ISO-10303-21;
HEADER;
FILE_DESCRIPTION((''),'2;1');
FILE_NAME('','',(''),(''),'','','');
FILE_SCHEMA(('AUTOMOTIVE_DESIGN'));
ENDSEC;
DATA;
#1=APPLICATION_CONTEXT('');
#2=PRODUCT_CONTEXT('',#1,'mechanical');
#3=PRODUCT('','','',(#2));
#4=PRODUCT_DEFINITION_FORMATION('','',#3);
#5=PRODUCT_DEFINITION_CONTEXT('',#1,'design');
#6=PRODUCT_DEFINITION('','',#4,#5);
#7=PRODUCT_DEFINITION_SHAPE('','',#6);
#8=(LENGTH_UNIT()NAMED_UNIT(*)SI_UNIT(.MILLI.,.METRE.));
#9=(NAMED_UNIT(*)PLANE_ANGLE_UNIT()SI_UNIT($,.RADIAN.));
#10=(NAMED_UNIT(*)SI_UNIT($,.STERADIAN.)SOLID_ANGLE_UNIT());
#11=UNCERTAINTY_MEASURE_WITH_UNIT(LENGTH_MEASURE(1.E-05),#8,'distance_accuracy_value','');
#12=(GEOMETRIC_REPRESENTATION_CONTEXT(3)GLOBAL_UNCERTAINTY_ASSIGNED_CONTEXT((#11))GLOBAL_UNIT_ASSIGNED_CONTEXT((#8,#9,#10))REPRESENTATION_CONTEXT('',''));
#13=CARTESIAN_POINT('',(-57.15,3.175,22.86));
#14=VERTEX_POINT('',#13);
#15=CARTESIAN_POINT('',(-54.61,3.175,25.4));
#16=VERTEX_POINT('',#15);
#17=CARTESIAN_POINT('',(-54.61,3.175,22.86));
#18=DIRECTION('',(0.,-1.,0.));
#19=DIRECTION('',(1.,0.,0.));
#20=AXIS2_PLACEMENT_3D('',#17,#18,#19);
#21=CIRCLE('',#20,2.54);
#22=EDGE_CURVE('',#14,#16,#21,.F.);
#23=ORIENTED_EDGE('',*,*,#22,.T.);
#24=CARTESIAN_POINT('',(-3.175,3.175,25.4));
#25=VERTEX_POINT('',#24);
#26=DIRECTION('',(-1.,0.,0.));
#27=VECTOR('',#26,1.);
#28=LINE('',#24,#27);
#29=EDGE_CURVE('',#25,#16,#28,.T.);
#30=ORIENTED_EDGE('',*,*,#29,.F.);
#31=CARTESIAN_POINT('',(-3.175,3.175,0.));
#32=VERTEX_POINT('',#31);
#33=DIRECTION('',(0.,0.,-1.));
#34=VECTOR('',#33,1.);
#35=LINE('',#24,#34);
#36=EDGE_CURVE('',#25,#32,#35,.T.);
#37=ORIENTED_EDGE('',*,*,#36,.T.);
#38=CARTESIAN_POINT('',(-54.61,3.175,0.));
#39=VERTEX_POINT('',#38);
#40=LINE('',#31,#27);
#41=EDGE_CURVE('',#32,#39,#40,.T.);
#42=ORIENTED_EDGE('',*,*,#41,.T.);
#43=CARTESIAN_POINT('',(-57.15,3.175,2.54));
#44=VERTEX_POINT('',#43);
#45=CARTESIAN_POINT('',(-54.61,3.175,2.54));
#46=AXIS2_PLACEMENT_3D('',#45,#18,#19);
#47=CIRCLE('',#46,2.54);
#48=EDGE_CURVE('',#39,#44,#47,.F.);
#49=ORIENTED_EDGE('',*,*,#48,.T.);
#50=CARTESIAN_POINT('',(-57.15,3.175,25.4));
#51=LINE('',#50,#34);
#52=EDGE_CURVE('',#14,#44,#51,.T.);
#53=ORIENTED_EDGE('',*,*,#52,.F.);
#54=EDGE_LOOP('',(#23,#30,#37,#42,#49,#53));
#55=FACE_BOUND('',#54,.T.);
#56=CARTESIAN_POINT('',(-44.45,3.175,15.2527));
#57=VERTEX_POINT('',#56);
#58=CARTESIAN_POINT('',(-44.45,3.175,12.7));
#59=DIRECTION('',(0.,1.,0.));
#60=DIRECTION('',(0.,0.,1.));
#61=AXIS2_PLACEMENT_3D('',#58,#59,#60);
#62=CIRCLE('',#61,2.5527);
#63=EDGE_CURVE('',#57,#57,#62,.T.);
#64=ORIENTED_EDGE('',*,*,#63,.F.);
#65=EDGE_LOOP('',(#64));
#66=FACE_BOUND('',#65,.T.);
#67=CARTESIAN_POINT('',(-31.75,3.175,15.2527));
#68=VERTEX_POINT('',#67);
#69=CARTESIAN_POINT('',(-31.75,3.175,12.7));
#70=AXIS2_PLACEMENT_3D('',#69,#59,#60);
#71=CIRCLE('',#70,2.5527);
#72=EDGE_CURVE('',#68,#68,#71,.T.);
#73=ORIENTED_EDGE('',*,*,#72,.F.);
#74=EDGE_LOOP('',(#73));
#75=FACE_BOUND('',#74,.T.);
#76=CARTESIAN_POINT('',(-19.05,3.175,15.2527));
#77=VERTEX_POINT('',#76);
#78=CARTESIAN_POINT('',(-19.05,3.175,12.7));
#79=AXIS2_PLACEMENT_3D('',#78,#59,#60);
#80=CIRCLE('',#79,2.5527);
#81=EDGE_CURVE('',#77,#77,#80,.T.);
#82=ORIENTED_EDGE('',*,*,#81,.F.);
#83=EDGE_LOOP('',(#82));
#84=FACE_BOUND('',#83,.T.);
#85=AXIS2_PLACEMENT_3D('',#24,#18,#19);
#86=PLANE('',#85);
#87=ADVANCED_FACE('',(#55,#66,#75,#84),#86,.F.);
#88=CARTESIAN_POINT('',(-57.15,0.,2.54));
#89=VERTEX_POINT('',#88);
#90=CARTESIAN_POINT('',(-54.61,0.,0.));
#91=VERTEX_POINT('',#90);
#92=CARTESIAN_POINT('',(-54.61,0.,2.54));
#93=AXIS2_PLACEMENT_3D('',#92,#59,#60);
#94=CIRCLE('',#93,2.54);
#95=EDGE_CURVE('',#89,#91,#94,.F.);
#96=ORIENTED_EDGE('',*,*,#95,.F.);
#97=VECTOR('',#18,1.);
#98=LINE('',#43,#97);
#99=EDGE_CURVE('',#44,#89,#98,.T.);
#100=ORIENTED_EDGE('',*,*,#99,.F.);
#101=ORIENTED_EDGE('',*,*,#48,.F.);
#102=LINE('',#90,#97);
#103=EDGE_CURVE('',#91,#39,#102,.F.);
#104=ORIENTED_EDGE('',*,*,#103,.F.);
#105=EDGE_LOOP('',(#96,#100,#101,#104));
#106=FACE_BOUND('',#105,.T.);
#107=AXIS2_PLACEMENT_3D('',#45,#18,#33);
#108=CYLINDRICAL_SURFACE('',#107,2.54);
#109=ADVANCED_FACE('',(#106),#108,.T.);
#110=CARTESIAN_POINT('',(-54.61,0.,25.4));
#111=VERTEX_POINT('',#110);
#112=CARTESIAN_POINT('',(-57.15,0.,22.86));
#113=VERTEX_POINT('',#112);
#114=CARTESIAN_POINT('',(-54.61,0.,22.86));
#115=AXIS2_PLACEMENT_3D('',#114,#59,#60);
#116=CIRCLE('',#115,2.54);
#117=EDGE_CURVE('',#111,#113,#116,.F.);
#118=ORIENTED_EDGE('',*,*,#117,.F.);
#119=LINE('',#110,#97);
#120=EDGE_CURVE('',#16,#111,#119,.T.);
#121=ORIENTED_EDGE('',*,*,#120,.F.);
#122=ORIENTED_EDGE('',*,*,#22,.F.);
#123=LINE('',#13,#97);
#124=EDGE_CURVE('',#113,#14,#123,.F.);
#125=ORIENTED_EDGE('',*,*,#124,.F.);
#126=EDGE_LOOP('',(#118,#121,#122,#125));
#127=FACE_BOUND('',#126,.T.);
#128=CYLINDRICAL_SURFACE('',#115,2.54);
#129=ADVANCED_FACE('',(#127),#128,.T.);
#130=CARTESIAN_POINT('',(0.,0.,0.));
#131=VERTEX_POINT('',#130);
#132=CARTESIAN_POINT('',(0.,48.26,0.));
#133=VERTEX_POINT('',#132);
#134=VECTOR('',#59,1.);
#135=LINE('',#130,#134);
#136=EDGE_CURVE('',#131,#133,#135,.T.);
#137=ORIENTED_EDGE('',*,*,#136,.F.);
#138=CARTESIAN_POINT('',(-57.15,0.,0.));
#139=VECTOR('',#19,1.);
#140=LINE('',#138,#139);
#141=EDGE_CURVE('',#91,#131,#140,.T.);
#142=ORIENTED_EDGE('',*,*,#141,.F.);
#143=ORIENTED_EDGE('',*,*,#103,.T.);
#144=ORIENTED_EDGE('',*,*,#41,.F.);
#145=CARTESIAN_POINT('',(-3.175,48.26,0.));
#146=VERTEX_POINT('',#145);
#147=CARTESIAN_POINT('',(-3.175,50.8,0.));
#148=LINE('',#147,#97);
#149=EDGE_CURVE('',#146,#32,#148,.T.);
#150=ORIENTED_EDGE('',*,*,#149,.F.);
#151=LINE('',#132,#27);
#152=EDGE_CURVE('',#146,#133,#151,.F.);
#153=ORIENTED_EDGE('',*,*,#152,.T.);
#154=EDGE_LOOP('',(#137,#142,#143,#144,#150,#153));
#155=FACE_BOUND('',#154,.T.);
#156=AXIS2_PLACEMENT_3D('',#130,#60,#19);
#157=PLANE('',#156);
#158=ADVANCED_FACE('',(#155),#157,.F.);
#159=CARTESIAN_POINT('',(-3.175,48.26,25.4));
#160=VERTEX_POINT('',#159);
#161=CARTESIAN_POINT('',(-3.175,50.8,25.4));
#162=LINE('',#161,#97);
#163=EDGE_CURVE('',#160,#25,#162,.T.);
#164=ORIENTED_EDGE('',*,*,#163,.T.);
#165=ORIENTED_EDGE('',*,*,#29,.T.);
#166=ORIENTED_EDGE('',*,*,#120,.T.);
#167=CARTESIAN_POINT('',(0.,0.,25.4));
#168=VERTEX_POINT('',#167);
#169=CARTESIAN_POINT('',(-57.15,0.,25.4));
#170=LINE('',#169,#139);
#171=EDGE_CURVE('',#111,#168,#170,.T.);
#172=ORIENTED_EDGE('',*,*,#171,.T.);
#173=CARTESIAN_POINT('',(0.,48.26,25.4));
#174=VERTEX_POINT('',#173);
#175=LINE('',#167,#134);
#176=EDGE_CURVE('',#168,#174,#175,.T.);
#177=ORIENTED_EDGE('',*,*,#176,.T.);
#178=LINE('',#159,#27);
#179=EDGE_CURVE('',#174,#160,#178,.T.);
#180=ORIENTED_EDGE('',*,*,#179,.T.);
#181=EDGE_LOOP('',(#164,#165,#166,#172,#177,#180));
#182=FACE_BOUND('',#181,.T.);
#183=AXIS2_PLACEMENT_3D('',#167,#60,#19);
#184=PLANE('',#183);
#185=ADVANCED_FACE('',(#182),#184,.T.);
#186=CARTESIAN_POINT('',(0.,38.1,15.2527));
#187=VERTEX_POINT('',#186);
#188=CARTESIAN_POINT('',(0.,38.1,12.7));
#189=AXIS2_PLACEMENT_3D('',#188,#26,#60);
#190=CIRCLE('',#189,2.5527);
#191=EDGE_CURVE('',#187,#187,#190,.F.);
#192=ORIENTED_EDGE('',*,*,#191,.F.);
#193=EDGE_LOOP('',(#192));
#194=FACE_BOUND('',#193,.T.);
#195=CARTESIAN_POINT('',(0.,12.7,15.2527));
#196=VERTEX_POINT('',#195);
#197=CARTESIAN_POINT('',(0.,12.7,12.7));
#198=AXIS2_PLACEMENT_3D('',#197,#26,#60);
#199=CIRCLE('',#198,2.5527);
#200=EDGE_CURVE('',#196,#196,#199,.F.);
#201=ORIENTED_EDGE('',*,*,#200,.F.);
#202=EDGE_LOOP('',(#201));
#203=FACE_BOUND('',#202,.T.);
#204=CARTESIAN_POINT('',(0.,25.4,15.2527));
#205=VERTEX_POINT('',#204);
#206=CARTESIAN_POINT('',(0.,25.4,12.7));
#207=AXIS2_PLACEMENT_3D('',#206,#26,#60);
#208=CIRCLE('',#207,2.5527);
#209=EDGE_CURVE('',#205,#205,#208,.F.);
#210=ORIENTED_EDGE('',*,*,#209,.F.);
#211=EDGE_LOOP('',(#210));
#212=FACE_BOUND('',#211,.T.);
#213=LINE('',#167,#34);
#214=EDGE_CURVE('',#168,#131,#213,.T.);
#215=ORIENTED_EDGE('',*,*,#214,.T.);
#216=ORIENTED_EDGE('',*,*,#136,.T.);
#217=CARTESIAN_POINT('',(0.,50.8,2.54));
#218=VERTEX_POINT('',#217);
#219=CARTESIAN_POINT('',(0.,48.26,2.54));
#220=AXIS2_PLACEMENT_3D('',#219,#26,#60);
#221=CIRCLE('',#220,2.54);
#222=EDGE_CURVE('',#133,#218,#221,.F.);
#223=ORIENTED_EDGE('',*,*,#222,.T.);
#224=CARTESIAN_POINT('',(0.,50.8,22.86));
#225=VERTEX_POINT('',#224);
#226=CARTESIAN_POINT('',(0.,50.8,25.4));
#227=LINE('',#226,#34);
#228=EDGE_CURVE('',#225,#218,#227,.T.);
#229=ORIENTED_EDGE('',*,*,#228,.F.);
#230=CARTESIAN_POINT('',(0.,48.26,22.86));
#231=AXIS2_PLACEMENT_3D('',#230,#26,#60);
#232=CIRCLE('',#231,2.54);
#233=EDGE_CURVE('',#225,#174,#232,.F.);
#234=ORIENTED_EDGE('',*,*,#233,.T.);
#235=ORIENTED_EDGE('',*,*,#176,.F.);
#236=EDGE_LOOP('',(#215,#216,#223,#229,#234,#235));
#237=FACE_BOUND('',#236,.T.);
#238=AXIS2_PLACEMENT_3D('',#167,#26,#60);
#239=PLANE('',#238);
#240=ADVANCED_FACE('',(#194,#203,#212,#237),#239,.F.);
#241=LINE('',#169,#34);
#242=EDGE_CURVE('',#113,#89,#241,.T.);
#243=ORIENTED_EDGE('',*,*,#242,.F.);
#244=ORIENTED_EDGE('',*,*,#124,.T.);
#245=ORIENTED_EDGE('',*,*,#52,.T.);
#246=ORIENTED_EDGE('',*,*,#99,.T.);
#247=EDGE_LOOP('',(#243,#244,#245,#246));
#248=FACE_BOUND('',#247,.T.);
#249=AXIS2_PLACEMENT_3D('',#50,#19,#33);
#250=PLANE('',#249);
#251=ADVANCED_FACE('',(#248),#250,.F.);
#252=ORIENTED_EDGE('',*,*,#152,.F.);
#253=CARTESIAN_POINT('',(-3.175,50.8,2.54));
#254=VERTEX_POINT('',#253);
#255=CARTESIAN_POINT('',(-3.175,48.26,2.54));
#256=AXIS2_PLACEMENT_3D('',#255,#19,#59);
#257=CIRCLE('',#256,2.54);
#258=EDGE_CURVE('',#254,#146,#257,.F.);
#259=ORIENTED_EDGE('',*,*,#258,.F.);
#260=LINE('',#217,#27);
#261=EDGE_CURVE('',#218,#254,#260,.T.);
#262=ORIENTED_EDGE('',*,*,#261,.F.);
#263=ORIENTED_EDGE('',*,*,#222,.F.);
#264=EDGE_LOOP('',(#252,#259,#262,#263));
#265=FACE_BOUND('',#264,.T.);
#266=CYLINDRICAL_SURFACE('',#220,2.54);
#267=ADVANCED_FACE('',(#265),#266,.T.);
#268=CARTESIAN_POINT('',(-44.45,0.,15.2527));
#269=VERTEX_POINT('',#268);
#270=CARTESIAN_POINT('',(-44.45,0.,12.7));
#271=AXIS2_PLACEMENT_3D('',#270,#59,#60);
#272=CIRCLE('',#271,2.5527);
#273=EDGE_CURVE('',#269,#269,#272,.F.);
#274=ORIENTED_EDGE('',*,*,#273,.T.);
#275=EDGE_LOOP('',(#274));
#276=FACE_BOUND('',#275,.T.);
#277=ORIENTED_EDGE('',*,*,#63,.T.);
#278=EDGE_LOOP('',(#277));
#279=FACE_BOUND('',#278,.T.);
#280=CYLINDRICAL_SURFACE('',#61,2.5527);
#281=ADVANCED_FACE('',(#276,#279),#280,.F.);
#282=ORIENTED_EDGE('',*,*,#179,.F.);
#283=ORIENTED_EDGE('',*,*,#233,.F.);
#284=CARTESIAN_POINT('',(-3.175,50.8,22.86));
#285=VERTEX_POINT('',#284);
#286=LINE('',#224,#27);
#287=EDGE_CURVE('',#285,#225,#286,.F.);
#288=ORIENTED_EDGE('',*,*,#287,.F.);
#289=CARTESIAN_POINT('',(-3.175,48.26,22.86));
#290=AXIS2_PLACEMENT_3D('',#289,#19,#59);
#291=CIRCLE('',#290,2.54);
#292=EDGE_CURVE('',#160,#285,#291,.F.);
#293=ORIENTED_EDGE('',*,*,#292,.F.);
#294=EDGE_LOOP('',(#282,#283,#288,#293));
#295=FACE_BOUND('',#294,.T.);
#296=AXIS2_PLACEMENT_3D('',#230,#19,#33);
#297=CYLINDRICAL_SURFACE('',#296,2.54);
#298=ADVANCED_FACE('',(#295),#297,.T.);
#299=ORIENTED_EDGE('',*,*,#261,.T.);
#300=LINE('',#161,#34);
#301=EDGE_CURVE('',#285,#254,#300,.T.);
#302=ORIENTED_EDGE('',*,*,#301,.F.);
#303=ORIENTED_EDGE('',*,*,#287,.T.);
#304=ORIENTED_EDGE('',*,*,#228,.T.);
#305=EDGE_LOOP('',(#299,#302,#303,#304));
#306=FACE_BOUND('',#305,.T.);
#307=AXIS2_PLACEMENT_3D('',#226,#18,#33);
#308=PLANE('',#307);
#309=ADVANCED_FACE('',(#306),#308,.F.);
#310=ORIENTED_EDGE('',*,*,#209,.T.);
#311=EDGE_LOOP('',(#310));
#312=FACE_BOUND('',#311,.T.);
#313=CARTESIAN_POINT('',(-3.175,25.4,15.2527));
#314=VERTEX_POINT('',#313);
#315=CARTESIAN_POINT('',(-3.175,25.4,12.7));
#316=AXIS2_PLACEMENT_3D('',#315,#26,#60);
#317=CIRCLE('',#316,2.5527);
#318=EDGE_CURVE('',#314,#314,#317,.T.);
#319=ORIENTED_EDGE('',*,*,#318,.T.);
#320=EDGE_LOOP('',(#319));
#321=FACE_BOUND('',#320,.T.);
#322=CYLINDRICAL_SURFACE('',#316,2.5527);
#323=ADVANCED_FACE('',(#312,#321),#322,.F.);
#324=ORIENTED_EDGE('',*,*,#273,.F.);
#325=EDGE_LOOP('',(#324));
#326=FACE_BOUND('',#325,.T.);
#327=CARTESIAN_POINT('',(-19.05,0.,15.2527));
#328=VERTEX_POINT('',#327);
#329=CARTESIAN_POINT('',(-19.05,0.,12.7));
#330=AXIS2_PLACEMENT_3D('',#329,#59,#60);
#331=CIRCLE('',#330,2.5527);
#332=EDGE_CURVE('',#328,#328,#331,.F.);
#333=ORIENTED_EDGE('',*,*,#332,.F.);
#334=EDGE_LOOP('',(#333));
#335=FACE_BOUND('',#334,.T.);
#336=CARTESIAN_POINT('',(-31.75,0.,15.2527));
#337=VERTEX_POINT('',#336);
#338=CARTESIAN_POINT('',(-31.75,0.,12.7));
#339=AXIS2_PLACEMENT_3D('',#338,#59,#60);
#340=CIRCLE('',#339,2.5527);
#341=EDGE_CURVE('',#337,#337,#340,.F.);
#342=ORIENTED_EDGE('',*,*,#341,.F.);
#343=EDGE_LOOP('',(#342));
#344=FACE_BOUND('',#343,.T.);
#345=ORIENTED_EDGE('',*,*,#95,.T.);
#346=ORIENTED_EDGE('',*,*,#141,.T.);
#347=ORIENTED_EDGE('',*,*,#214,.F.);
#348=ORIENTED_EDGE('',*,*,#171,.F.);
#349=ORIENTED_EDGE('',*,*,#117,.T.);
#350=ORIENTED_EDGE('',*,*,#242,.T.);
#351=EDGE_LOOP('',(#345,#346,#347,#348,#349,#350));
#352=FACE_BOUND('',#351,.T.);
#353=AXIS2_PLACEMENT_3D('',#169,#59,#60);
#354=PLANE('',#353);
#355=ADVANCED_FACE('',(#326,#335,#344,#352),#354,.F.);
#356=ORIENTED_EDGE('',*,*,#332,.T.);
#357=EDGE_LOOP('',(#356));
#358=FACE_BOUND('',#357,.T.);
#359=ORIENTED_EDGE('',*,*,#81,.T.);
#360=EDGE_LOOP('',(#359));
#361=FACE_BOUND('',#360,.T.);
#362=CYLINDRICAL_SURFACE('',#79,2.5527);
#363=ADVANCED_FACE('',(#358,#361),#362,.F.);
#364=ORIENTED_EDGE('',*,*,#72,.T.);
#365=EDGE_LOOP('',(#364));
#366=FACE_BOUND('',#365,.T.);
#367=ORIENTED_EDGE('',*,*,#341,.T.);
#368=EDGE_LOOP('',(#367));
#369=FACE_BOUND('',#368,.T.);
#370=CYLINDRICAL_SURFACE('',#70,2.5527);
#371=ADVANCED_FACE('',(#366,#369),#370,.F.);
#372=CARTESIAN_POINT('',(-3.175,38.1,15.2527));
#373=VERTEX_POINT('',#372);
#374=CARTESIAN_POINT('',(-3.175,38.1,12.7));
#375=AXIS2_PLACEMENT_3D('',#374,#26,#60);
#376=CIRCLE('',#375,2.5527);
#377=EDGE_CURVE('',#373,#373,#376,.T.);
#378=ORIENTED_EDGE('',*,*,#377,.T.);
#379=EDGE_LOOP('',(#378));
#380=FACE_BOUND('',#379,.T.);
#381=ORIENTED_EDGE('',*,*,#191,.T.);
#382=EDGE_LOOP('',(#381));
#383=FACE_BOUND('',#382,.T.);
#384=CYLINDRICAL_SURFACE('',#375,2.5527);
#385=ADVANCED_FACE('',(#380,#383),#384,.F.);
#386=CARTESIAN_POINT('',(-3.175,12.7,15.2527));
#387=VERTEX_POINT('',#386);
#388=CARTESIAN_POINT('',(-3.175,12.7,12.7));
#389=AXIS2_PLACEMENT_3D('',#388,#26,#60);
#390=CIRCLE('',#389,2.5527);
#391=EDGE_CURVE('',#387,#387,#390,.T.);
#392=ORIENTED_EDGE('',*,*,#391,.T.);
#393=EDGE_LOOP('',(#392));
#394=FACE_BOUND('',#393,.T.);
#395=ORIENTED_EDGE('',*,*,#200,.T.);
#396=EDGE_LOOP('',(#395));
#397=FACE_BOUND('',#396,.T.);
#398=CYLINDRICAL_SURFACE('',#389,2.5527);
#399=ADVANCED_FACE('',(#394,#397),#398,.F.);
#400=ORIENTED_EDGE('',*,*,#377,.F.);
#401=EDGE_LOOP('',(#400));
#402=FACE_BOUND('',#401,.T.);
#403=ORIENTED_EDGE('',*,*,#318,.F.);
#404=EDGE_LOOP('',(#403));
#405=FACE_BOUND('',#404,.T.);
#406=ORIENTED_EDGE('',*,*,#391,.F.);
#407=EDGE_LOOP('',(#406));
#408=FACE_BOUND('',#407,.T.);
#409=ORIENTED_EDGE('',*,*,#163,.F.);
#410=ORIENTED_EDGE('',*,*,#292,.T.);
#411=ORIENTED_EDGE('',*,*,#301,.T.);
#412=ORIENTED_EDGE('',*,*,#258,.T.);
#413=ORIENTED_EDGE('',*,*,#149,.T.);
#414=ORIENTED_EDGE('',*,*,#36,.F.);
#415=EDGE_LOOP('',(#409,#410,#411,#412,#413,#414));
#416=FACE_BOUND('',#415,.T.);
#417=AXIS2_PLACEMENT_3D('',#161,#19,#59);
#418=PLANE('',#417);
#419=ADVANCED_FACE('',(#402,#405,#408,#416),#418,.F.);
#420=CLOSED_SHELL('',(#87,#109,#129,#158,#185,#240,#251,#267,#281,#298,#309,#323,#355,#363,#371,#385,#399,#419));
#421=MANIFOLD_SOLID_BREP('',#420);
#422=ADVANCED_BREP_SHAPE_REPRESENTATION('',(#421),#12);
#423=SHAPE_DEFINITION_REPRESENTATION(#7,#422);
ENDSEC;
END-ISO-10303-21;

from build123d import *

# Parameters (mm, degrees)
BOSS_EXTRUDE1_DEPTH    = 25.4
FILLET1_R              = 2.54
F_10_CLEARANCE_HOLE1_D = 5.1054
F_10_CLEARANCE_HOLE2_D = 5.1054


with BuildPart() as part:
    # Sketch1 → Boss-Extrude1 (new body)
    with BuildSketch(Plane.XY):
        Polygon((0, 0), (0, 50.8), (-3.175, 50.8), (-3.175, 3.175), (-57.15, 3.175), (-57.15, 0), align=None)
    extrude(amount=BOSS_EXTRUDE1_DEPTH)

    # Fillet1
    fillet1_edges = [part.edges().sort_by_distance(p)[0] for p in [
        (-1.5875, 50.8, 25.4),
        (-57.15, 1.5875, 25.4),
        (-57.15, 1.5875, 0),
        (-1.5875, 50.8, 0),
    ]]
    fillet(fillet1_edges, radius=FILLET1_R)

    # #10 Clearance Hole1 (through all)
    with Locations(Plane.ZY.offset(3.175)):
        with Locations((12.7, 38.1), (12.7, 25.4), (12.7, 12.7)):
            Hole(F_10_CLEARANCE_HOLE1_D / 2)

    # #10 Clearance Hole2 (through all)
    with Locations(Plane(origin=(0, 3.175, 0), x_dir=(1, 0, 0), z_dir=(0, 1, 0))):
        with Locations((-19.05, -12.7), (-31.75, -12.7), (-44.45, -12.7)):
            Hole(F_10_CLEARANCE_HOLE2_D / 2)


solid = part.part
